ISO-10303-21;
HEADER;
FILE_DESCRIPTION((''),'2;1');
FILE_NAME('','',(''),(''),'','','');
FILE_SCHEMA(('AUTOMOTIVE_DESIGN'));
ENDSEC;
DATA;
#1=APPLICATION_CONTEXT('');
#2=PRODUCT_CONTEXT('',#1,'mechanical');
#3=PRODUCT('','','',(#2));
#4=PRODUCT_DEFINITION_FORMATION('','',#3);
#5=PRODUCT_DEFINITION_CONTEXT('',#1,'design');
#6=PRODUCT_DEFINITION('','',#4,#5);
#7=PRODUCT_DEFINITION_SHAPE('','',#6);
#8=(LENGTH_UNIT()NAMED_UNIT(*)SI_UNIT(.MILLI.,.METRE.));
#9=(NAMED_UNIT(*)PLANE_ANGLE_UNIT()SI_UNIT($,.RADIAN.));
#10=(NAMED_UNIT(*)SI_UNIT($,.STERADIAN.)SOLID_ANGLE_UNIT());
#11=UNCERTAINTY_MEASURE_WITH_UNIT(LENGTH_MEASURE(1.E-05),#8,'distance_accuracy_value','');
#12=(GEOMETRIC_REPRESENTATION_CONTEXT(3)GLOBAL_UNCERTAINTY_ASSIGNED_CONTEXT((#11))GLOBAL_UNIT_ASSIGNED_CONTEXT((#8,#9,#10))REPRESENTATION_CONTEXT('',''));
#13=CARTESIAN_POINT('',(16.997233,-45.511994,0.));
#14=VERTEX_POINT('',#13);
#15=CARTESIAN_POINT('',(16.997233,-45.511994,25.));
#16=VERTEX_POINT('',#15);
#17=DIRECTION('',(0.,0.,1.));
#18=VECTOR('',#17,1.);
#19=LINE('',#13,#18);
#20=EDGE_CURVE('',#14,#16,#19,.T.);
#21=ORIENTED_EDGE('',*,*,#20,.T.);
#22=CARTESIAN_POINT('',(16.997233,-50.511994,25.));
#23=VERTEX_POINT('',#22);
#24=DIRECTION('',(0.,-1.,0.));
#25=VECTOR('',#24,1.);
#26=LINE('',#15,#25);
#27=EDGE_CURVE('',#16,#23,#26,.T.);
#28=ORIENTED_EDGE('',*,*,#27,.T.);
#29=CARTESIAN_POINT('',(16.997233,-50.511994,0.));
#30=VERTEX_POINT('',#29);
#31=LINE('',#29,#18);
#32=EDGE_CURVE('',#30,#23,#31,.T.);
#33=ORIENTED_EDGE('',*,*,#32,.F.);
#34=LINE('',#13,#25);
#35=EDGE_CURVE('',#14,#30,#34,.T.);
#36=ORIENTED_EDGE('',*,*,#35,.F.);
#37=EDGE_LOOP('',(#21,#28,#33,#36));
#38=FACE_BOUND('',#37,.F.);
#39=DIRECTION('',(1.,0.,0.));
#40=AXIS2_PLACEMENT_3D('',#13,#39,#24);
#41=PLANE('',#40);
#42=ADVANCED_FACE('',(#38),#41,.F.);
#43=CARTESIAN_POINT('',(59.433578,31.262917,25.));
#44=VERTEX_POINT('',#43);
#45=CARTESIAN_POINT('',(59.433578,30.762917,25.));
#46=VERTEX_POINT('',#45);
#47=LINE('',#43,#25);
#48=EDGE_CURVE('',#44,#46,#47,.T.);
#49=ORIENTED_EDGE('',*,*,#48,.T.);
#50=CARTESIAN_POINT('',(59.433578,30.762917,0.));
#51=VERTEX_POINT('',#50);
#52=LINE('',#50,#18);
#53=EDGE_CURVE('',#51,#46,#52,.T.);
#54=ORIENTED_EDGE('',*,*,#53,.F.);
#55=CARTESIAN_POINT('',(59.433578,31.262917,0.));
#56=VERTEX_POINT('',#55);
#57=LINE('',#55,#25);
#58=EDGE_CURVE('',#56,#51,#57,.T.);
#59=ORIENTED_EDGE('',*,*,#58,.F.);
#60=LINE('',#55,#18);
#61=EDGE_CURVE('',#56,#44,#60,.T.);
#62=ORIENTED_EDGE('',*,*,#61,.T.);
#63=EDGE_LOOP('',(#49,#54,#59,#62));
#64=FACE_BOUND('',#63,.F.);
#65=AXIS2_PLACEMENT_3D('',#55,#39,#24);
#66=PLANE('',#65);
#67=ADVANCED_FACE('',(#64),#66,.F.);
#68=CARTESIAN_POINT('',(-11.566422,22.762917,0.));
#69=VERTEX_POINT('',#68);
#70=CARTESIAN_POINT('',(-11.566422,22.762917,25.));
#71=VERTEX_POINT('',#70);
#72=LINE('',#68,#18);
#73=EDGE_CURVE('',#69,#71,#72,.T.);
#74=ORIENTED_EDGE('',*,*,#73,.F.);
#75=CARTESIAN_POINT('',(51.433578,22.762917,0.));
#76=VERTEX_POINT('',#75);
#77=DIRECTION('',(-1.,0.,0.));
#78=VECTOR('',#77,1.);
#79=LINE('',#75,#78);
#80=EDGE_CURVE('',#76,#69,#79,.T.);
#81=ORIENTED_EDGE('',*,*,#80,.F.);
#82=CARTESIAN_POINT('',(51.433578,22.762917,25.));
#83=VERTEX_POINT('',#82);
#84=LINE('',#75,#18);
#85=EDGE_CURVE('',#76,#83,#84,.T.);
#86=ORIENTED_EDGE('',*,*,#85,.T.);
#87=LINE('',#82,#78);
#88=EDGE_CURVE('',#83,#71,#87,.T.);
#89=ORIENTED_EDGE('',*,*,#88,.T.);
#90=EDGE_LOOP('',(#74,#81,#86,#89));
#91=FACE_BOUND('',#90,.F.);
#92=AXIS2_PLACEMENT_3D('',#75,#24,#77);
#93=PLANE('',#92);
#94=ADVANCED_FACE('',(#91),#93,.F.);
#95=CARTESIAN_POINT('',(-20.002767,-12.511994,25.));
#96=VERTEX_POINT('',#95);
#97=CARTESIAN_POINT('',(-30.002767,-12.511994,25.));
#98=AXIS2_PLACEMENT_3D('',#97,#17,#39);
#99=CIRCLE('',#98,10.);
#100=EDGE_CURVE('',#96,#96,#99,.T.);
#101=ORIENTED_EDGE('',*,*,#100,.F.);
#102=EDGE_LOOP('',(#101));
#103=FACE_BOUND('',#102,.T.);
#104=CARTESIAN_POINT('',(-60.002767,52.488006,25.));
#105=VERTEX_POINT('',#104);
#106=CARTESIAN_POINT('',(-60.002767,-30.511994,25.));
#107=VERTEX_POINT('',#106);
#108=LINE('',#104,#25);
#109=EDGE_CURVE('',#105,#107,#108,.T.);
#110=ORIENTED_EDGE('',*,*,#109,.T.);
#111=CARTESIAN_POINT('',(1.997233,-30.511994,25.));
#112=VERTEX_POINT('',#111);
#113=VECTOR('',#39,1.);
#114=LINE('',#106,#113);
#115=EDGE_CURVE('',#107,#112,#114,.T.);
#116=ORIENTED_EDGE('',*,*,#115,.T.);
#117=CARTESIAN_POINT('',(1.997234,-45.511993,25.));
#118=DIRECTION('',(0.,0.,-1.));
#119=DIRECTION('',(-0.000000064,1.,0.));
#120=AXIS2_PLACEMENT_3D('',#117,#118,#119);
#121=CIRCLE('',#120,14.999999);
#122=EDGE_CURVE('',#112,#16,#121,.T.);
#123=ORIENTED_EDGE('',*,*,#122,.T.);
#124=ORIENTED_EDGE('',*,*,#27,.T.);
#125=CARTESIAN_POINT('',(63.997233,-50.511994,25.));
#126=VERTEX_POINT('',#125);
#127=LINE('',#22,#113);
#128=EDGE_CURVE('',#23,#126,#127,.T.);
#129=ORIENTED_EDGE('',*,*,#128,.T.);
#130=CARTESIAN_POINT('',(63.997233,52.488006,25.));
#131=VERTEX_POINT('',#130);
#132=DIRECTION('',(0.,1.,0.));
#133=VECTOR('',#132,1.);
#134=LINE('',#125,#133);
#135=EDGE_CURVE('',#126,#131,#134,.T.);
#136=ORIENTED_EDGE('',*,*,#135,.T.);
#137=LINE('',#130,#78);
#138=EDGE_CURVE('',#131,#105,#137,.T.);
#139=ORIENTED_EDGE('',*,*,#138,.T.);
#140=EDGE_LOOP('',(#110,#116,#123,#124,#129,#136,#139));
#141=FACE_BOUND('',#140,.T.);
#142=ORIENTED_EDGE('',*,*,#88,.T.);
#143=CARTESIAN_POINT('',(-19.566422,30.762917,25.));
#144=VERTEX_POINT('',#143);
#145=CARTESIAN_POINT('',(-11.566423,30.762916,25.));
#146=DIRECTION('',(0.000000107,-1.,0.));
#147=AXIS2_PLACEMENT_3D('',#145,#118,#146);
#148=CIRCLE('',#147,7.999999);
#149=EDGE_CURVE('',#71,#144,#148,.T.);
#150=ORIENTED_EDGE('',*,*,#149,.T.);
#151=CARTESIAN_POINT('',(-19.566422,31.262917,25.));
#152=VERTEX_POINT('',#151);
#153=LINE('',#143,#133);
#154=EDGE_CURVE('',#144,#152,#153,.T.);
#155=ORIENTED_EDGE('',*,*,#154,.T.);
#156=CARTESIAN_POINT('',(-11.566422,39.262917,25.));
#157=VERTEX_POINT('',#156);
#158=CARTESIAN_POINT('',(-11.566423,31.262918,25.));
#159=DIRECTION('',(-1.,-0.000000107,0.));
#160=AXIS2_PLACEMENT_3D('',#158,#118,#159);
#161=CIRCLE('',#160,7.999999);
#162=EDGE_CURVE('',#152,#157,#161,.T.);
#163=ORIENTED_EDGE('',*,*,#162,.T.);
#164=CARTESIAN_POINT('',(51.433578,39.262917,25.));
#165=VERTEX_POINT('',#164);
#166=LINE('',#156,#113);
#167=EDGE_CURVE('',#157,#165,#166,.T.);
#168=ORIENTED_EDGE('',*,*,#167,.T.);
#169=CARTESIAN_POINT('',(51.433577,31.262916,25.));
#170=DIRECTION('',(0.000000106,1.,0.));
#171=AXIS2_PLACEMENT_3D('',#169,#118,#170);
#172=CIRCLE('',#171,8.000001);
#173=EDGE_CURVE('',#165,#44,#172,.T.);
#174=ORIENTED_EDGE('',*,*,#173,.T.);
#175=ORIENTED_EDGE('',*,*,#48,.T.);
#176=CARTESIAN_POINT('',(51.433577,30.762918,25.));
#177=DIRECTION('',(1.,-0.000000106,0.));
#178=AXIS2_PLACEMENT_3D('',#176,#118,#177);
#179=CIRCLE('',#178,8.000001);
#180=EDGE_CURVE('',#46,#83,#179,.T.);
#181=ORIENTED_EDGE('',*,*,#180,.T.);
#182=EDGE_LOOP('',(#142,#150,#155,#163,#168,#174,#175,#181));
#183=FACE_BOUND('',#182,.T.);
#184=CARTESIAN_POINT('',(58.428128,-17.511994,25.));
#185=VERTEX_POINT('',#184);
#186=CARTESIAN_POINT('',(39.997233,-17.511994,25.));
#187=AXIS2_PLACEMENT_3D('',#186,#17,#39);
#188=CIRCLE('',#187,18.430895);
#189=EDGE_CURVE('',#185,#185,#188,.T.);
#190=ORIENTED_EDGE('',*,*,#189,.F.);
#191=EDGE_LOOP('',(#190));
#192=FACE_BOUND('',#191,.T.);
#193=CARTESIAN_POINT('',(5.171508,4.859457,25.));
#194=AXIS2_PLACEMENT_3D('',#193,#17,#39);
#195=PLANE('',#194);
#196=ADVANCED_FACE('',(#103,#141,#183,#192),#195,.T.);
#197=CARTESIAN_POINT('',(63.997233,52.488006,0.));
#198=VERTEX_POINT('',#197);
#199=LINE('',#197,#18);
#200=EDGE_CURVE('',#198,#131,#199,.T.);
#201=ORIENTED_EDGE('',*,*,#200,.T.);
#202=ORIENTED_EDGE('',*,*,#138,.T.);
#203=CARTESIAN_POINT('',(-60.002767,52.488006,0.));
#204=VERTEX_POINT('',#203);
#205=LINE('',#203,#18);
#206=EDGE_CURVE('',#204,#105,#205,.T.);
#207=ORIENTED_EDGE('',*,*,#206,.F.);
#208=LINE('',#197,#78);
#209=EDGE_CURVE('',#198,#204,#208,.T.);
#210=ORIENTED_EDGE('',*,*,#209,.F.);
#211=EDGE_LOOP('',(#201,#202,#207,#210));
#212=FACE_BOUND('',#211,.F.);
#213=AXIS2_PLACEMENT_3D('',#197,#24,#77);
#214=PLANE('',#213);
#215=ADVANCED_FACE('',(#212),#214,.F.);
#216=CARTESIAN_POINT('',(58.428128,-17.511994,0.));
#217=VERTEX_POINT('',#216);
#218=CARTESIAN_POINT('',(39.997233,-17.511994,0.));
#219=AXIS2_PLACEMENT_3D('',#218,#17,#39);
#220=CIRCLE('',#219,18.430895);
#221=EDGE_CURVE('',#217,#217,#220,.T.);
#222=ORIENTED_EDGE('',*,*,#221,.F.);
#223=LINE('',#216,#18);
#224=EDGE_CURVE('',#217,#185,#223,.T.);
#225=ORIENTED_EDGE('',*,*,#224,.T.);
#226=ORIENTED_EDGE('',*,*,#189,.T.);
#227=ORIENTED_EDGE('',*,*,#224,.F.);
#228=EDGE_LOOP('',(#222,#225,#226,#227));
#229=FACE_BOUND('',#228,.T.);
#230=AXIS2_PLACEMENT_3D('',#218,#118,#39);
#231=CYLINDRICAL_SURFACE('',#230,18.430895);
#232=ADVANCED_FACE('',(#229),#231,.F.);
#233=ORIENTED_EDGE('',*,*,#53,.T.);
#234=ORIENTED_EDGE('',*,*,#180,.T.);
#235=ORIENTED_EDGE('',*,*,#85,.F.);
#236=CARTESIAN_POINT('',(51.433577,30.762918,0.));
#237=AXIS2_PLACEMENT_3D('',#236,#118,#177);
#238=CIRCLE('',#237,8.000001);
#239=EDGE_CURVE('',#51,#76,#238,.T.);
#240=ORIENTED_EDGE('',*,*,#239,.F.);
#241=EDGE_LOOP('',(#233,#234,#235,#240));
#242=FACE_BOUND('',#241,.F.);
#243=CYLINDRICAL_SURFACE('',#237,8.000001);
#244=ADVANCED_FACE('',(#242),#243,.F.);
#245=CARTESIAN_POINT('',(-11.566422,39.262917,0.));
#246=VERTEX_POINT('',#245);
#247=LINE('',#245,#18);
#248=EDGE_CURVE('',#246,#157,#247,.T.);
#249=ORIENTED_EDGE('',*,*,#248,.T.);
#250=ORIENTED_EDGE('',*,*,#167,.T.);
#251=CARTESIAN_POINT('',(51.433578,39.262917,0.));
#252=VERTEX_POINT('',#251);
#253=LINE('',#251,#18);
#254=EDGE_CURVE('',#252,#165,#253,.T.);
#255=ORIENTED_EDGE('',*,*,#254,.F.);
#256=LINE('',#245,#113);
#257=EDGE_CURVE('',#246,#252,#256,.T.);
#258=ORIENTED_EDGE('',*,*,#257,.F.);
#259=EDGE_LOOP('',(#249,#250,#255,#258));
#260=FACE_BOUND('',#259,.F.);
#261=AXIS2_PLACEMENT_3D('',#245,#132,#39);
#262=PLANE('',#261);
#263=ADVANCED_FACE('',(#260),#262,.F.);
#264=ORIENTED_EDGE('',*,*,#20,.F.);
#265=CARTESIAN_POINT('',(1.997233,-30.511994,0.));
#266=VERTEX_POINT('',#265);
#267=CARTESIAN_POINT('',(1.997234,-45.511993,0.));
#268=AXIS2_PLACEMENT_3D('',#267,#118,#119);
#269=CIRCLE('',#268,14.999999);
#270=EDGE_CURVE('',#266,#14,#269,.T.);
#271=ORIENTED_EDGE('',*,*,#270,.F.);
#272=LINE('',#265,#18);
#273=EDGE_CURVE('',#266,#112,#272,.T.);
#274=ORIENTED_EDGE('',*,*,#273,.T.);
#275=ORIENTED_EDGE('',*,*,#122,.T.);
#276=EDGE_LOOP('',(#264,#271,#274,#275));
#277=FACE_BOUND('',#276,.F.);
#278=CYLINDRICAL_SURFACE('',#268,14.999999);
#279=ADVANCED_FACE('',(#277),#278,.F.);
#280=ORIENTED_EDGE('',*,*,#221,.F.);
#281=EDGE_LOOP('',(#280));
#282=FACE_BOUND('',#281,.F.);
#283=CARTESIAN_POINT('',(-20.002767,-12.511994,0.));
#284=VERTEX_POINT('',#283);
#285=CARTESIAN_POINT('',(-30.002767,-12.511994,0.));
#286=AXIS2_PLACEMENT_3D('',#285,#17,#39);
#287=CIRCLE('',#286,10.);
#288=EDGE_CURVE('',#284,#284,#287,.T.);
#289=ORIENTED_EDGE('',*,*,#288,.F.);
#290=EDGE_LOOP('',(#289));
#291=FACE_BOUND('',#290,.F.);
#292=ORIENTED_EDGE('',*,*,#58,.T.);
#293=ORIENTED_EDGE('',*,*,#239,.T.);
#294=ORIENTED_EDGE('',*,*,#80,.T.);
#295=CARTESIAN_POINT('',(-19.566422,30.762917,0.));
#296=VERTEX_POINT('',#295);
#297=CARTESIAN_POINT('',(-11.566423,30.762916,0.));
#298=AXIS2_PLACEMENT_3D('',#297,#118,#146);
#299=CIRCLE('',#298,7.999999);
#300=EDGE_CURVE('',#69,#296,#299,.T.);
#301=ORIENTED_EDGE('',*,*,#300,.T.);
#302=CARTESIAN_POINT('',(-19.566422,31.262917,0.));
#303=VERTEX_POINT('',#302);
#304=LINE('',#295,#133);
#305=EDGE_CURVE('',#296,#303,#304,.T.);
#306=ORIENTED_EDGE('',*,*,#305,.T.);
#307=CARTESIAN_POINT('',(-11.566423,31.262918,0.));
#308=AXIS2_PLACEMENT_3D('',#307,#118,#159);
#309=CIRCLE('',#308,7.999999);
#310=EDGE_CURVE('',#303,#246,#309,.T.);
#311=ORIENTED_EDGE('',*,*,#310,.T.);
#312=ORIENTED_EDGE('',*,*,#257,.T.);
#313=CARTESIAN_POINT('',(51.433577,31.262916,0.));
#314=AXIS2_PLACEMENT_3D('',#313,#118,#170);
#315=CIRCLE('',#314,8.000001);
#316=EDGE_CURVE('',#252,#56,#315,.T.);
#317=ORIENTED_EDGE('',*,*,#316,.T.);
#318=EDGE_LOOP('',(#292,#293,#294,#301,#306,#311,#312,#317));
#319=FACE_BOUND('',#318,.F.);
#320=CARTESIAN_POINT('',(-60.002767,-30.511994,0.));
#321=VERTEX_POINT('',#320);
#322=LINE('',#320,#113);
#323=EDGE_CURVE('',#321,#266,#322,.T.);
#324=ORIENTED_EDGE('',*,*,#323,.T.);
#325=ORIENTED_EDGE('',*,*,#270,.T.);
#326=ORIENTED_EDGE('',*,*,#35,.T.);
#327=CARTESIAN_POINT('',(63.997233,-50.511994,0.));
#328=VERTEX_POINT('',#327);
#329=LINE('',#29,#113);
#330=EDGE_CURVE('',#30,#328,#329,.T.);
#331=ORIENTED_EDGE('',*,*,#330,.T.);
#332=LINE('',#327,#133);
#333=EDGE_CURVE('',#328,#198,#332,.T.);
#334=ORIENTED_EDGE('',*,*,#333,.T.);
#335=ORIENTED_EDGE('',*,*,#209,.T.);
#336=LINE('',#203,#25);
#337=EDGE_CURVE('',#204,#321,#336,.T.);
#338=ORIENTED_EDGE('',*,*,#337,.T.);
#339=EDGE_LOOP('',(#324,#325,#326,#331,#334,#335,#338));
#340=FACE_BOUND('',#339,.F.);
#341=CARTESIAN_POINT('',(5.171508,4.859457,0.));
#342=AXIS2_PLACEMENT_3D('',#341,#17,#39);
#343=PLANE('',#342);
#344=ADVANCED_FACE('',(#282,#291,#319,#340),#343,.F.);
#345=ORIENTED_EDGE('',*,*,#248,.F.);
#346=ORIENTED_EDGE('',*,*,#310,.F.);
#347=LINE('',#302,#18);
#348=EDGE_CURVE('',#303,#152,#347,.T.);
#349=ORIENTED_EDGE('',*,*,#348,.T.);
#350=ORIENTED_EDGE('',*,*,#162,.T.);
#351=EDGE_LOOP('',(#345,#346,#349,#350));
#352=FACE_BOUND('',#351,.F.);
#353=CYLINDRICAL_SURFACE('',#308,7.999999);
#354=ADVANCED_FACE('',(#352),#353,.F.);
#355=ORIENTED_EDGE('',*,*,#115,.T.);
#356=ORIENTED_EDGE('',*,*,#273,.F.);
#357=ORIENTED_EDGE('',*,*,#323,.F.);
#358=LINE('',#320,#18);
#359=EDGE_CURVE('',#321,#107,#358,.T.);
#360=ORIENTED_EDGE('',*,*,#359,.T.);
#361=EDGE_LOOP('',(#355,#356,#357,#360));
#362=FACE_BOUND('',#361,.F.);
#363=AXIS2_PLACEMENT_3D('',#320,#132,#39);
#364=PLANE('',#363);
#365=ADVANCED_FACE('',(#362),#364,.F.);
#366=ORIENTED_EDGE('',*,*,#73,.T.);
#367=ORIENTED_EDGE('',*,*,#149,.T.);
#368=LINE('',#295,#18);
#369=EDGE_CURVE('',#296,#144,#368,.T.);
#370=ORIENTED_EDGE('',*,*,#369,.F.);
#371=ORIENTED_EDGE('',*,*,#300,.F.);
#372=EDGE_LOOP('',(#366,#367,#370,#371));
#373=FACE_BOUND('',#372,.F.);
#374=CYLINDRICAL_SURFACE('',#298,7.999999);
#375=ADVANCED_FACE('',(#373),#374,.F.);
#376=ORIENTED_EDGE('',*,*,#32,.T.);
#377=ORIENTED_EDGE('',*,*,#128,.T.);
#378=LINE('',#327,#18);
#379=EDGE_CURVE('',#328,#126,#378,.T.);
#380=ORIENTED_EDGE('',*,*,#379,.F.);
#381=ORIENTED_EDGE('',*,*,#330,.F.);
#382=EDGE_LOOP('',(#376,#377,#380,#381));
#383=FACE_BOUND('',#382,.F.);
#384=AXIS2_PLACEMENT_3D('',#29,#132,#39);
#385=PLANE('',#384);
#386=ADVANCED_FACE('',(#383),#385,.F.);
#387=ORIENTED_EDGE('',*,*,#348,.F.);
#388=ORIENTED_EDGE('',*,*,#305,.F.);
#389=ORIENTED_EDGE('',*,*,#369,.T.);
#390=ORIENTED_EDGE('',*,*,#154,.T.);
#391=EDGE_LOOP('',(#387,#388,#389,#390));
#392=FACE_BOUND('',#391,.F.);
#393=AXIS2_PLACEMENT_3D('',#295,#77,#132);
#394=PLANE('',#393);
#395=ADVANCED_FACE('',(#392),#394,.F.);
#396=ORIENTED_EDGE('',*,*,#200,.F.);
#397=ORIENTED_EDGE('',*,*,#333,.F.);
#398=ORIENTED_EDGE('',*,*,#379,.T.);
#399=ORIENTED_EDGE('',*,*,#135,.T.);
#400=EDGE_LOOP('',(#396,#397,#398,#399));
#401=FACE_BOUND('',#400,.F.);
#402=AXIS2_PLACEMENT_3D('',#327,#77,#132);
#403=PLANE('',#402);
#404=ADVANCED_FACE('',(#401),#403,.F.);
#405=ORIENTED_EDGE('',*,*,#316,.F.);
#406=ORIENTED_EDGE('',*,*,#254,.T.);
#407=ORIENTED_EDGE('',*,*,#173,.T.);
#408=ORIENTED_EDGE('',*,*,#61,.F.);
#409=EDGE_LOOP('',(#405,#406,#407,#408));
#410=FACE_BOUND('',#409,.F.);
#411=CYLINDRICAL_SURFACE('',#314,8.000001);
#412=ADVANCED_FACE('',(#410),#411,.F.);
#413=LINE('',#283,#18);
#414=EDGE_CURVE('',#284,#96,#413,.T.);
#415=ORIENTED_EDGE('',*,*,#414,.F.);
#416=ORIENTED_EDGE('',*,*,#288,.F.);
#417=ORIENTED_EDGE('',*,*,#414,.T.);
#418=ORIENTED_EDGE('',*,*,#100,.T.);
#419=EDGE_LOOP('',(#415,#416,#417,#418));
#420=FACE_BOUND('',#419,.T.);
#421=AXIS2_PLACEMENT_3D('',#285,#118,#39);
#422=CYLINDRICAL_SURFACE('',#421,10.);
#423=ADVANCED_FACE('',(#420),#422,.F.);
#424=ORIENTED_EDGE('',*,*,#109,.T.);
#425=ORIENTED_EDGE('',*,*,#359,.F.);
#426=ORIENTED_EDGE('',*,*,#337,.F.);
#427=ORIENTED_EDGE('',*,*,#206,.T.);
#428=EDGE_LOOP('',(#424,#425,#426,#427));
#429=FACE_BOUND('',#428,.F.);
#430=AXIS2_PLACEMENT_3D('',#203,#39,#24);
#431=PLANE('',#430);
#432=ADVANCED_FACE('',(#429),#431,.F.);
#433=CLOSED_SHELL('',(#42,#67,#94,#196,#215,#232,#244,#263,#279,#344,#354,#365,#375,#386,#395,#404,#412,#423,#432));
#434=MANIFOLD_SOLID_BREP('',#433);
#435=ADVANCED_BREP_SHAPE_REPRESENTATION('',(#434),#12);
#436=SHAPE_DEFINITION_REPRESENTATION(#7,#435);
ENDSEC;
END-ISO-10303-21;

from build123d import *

# Parameters (mm, degrees)
F0_R     = 10
F0_R_2   = 18.430895
F1_DEPTH = 25


with BuildPart() as f1:
    # F0 (on Top) → F1 (new body)
    with BuildSketch(Plane.XY):
        with BuildLine():
            Line((63.997233, 52.488006), (-60.002767, 52.488006))
            Line((-60.002767, 52.488006), (-60.002767, -30.511994))
            Line((-60.002767, -30.511994), (1.997233, -30.511994))
            ThreePointArc((1.997233, -30.511994), (12.603835, -34.905392), (16.997233, -45.511994))
            Line((16.997233, -45.511994), (16.997233, -50.511994))
            Line((16.997233, -50.511994), (63.997233, -50.511994))
            Line((63.997233, -50.511994), (63.997233, 52.488006))
        make_face()
        with Locations((-30.002767, -12.511994)):
            Circle(F0_R, mode=Mode.SUBTRACT)
        with Locations((39.997233, -17.511994)):
            Circle(F0_R_2, mode=Mode.SUBTRACT)
        with BuildLine():
            Line((-11.566422, 39.262917), (51.433578, 39.262917))
            ThreePointArc((51.433578, 39.262917), (57.090432, 36.919771), (59.433578, 31.262917))
            Line((59.433578, 31.262917), (59.433578, 30.762917))
            ThreePointArc((59.433578, 30.762917), (57.090432, 25.106063), (51.433578, 22.762917))
            Line((51.433578, 22.762917), (-11.566422, 22.762917))
            ThreePointArc((-11.566422, 22.762917), (-17.223277, 25.106063), (-19.566422, 30.762917))
            Line((-19.566422, 30.762917), (-19.566422, 31.262917))
            ThreePointArc((-19.566422, 31.262917), (-17.223277, 36.919771), (-11.566422, 39.262917))
        make_face(mode=Mode.SUBTRACT)
    extrude(amount=F1_DEPTH)


solid = f1.part
